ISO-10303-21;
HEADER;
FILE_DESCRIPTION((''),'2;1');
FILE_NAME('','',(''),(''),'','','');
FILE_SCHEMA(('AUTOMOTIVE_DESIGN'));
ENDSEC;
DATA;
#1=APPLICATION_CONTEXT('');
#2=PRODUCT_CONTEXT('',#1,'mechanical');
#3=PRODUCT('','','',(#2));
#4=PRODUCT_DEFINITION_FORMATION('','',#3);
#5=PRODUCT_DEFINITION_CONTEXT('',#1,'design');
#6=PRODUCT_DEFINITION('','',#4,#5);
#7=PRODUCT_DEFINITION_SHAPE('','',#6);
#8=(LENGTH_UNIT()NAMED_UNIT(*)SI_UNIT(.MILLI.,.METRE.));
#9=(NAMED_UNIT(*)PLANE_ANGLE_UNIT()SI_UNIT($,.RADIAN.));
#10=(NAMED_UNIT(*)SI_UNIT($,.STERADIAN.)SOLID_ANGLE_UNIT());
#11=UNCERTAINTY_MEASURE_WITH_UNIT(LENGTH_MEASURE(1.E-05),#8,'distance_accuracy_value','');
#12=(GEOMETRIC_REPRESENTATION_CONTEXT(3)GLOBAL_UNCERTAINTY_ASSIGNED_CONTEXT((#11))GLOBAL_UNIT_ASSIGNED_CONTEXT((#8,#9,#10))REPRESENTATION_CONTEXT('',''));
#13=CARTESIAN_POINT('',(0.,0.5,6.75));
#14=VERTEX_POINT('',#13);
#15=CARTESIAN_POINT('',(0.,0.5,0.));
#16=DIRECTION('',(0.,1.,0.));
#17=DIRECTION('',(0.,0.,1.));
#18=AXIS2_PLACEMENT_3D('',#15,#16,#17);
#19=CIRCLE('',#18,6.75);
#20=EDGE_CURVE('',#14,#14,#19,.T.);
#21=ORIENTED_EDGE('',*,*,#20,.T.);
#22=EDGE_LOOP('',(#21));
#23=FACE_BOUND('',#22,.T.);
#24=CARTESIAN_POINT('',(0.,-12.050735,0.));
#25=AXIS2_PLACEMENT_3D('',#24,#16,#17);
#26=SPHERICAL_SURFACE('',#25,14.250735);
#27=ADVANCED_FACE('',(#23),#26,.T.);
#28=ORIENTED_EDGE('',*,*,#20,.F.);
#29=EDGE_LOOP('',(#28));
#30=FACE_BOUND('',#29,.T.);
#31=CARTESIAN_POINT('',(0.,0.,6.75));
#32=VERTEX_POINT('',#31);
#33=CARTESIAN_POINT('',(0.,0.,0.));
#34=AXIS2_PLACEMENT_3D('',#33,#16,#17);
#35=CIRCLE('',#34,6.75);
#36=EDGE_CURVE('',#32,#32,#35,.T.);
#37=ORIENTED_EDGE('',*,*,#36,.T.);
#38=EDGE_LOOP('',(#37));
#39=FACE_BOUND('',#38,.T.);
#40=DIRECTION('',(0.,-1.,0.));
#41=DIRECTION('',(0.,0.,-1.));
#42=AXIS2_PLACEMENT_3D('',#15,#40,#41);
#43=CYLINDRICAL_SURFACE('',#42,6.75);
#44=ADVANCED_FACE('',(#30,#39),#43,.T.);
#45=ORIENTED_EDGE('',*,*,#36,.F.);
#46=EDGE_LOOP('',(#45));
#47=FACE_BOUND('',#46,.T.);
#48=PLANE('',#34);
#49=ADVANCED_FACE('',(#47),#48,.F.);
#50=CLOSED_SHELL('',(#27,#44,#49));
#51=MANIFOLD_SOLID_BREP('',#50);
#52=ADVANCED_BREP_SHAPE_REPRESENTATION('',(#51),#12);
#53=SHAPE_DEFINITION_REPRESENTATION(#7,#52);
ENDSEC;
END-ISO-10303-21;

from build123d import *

# Parameters (mm, degrees)
SKETCH2_R           = 6.75
BOSS_EXTRUDE1_DEPTH = 0.5
DOME1_FACE_RADIUS   = 6.75
DOME1_HEIGHT        = 1.7


with BuildPart() as part:
    # Sketch2 → Boss-Extrude1 (new body)
    with BuildSketch(Plane(origin=(0, 0, 0), x_dir=(1, 0, 0), z_dir=(0, 1, 0))):
        with Locations(Location((0, 0, 0), (0, 0, 270))):
            Circle(SKETCH2_R)
    extrude(amount=BOSS_EXTRUDE1_DEPTH)

    # Dome1: a dome of height H over a round flat face of radius A is a cap of a sphere of radius (A * A + H * H) / (2 * H)
    dome1_r = (DOME1_FACE_RADIUS * DOME1_FACE_RADIUS + DOME1_HEIGHT * DOME1_HEIGHT) / (2 * DOME1_HEIGHT)
    dome1_base = Plane((0, 0.5, 0), z_dir=(0, 1, 0))
    with Locations(dome1_base.offset(DOME1_HEIGHT - dome1_r)):
        dome1_ball = Sphere(dome1_r, mode=Mode.PRIVATE)
    add(split(dome1_ball, bisect_by=dome1_base, keep=Keep.TOP, mode=Mode.PRIVATE))


solid = part.part
